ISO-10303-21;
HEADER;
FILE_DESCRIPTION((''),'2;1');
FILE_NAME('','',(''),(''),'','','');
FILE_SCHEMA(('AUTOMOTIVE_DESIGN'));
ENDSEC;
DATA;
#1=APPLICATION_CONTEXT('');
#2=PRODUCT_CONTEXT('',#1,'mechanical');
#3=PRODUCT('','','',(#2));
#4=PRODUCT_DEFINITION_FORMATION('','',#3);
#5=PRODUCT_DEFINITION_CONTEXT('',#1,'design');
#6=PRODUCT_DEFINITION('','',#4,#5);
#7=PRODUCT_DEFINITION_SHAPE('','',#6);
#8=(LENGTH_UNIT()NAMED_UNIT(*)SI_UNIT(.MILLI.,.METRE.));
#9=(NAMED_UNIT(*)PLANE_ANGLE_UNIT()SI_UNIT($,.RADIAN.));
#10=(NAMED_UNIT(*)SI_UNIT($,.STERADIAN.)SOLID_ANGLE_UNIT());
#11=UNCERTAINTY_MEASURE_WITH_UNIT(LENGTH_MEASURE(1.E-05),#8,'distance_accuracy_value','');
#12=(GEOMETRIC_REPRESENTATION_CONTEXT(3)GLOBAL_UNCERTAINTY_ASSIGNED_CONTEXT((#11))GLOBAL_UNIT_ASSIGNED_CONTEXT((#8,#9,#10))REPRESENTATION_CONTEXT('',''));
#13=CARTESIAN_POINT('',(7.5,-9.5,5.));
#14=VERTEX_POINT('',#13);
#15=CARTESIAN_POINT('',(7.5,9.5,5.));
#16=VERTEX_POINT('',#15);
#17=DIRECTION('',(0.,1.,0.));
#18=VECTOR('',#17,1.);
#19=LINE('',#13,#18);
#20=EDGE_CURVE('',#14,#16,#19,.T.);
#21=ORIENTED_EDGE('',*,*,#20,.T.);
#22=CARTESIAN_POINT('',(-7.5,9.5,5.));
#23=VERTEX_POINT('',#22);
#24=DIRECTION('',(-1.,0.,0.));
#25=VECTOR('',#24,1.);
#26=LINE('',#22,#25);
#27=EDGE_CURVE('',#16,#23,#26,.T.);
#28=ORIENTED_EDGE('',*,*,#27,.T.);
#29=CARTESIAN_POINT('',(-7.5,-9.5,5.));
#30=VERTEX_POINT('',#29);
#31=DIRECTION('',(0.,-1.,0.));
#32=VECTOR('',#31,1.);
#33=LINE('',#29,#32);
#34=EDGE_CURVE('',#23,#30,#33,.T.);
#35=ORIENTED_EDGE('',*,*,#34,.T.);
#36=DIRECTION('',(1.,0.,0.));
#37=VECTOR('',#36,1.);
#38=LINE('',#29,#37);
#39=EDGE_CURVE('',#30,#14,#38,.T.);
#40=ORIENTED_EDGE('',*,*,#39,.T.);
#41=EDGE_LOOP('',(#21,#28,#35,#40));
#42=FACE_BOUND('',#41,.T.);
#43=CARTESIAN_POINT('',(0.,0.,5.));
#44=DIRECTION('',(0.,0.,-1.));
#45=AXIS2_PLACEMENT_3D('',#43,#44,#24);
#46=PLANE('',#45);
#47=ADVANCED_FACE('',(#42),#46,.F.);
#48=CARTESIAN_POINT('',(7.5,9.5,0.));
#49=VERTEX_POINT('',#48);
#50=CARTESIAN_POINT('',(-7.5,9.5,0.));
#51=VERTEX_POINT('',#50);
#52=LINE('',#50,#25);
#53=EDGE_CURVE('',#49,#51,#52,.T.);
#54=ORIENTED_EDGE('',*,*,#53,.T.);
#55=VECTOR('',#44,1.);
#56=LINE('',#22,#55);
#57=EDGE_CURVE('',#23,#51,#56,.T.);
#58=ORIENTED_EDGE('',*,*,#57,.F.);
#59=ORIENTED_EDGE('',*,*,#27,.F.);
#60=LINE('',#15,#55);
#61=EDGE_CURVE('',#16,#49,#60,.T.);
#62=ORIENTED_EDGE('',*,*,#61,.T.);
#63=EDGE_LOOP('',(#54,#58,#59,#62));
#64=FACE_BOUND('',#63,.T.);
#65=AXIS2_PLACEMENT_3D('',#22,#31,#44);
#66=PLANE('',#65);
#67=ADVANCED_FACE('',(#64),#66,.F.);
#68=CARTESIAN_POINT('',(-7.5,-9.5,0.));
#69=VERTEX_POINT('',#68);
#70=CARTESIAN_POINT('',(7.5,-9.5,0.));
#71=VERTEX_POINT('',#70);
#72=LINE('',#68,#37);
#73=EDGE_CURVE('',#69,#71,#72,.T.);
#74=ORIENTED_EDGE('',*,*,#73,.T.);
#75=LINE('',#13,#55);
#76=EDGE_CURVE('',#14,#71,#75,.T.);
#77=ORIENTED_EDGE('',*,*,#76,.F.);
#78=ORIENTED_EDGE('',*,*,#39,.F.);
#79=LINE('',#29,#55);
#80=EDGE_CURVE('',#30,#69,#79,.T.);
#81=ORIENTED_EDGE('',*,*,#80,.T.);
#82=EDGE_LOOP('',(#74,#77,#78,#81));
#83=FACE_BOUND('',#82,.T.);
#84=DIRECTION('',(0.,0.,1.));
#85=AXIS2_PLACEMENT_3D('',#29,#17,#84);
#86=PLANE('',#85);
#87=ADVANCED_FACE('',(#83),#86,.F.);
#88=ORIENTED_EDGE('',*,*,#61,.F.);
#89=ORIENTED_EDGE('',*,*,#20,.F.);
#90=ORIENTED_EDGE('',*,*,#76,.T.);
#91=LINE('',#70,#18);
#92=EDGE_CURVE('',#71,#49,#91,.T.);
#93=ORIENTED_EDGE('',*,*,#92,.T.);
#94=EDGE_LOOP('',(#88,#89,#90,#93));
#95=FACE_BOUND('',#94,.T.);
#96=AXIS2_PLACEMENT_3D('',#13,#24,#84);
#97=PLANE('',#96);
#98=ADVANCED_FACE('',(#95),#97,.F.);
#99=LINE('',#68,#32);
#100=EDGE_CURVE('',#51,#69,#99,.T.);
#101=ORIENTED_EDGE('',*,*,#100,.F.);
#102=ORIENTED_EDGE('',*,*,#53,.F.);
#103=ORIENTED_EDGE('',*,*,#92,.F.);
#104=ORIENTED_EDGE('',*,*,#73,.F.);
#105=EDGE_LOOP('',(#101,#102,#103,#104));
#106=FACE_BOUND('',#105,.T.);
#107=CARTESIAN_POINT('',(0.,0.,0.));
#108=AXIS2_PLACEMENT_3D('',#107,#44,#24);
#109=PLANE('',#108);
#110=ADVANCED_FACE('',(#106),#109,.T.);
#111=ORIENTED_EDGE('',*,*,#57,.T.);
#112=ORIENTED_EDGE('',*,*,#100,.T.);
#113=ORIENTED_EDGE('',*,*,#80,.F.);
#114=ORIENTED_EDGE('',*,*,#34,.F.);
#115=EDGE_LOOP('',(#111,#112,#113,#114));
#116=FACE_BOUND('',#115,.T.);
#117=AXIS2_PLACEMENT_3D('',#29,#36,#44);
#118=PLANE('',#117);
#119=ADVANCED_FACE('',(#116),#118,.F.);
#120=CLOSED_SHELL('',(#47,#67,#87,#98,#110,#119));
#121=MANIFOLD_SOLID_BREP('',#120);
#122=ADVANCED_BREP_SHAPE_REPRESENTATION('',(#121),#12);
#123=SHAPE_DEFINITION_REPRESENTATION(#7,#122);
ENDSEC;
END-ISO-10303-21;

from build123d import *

# Parameters (mm, degrees)
SKIZZE1_W                       = 15
SKIZZE1_H                       = 19
AUFSATZ_LINEAR_AUSTRAGEN1_DEPTH = 5


with BuildPart() as part:
    # Skizze1 → Aufsatz-Linear austragen1 (new body)
    with BuildSketch(Plane.XY):
        Rectangle(SKIZZE1_W, SKIZZE1_H)
    extrude(amount=AUFSATZ_LINEAR_AUSTRAGEN1_DEPTH)


solid = part.part
